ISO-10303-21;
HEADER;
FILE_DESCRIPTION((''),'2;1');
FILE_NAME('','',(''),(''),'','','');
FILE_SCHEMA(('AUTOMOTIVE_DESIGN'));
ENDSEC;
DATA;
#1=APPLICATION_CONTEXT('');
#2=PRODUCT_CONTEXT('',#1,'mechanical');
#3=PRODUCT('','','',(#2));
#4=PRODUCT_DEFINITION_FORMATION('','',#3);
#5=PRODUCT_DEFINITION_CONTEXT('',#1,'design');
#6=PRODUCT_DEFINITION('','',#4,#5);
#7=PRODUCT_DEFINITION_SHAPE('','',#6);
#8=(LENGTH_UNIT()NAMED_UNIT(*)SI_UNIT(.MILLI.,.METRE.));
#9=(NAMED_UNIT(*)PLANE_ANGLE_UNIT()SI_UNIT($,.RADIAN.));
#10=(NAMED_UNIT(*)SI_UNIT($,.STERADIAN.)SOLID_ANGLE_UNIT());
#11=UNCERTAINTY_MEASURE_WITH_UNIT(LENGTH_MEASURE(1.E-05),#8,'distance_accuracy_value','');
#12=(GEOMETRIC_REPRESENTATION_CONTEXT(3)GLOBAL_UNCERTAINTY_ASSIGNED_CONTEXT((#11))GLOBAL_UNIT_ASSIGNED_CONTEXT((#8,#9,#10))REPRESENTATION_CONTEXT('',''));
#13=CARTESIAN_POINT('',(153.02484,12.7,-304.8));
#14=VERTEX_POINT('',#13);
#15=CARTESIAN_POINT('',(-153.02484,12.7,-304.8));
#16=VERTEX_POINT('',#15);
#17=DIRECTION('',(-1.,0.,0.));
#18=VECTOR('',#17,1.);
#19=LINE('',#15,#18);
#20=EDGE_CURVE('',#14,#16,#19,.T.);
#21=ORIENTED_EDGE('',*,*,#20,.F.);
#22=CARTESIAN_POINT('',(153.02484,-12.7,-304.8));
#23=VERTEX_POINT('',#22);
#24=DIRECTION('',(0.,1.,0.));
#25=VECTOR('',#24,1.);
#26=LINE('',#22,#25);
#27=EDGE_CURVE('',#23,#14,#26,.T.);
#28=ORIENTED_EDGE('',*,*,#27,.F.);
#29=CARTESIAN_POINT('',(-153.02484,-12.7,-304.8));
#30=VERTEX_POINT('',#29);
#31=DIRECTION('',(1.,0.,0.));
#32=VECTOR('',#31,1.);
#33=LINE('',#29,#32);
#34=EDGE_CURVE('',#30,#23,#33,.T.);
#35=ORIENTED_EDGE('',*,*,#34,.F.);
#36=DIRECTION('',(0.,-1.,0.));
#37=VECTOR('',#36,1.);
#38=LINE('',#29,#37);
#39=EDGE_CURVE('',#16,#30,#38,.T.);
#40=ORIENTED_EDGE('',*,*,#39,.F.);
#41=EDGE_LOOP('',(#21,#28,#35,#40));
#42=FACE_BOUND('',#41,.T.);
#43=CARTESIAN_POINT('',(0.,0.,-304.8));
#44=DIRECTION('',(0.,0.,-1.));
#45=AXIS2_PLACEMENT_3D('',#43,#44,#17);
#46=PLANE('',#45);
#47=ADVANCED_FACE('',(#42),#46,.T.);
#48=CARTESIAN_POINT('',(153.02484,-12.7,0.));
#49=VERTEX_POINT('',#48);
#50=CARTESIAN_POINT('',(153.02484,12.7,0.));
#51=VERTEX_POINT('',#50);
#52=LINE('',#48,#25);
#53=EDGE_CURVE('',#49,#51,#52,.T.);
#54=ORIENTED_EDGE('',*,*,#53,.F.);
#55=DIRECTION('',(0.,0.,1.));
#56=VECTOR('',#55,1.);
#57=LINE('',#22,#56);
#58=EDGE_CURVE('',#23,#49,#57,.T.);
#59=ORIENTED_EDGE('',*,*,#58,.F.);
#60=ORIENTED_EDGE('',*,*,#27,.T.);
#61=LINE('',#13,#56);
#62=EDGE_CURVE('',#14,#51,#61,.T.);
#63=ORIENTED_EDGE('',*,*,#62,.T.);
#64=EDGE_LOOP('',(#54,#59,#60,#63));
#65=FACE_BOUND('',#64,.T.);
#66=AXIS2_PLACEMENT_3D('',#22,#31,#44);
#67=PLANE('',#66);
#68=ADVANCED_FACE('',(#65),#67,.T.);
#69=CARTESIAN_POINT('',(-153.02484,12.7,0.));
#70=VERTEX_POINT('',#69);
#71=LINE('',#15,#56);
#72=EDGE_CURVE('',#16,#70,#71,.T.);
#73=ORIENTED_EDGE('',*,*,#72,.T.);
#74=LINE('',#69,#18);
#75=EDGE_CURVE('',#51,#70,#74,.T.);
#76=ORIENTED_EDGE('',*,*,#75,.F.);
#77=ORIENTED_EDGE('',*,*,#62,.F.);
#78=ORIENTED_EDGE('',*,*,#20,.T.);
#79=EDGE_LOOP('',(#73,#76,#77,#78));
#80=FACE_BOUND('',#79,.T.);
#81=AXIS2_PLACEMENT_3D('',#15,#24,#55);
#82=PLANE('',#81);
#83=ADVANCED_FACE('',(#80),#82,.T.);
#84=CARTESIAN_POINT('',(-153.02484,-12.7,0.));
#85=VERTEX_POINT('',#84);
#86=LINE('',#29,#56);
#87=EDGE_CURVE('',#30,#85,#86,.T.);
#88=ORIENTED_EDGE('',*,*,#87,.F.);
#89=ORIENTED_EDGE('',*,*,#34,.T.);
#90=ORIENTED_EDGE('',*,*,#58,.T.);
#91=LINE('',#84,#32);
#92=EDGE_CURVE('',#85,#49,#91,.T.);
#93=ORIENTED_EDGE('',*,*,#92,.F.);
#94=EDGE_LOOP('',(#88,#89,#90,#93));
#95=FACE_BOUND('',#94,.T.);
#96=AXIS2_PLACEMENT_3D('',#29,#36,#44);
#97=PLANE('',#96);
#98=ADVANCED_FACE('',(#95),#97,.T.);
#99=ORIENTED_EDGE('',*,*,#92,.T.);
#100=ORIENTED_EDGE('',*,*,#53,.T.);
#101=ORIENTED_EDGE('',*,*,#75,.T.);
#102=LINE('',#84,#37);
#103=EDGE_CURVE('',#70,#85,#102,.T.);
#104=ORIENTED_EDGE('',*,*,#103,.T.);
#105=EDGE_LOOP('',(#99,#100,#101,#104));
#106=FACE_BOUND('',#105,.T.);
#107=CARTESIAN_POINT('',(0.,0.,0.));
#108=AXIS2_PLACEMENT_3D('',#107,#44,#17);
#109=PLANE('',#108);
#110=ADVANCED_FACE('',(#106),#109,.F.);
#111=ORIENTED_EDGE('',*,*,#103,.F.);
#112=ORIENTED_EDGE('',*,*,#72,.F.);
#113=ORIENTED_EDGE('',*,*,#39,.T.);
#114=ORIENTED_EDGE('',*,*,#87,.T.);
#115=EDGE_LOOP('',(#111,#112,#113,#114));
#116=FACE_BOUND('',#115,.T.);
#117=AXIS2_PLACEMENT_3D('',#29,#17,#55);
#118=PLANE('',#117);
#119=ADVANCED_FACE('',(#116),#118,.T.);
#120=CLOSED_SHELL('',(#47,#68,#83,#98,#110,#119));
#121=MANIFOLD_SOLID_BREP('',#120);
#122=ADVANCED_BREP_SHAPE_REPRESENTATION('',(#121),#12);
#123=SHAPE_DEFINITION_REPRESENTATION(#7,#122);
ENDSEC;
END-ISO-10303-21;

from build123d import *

# Parameters (mm, degrees)
SKETCH1_W           = 306.04968
SKETCH1_H           = 25.4
BOSS_EXTRUDE1_DEPTH = 304.8


with BuildPart() as part:
    # Sketch1 → Boss-Extrude1 (new body)
    with BuildSketch(Plane.XY):
        Rectangle(SKETCH1_W, SKETCH1_H)
    extrude(amount=-BOSS_EXTRUDE1_DEPTH)


solid = part.part
